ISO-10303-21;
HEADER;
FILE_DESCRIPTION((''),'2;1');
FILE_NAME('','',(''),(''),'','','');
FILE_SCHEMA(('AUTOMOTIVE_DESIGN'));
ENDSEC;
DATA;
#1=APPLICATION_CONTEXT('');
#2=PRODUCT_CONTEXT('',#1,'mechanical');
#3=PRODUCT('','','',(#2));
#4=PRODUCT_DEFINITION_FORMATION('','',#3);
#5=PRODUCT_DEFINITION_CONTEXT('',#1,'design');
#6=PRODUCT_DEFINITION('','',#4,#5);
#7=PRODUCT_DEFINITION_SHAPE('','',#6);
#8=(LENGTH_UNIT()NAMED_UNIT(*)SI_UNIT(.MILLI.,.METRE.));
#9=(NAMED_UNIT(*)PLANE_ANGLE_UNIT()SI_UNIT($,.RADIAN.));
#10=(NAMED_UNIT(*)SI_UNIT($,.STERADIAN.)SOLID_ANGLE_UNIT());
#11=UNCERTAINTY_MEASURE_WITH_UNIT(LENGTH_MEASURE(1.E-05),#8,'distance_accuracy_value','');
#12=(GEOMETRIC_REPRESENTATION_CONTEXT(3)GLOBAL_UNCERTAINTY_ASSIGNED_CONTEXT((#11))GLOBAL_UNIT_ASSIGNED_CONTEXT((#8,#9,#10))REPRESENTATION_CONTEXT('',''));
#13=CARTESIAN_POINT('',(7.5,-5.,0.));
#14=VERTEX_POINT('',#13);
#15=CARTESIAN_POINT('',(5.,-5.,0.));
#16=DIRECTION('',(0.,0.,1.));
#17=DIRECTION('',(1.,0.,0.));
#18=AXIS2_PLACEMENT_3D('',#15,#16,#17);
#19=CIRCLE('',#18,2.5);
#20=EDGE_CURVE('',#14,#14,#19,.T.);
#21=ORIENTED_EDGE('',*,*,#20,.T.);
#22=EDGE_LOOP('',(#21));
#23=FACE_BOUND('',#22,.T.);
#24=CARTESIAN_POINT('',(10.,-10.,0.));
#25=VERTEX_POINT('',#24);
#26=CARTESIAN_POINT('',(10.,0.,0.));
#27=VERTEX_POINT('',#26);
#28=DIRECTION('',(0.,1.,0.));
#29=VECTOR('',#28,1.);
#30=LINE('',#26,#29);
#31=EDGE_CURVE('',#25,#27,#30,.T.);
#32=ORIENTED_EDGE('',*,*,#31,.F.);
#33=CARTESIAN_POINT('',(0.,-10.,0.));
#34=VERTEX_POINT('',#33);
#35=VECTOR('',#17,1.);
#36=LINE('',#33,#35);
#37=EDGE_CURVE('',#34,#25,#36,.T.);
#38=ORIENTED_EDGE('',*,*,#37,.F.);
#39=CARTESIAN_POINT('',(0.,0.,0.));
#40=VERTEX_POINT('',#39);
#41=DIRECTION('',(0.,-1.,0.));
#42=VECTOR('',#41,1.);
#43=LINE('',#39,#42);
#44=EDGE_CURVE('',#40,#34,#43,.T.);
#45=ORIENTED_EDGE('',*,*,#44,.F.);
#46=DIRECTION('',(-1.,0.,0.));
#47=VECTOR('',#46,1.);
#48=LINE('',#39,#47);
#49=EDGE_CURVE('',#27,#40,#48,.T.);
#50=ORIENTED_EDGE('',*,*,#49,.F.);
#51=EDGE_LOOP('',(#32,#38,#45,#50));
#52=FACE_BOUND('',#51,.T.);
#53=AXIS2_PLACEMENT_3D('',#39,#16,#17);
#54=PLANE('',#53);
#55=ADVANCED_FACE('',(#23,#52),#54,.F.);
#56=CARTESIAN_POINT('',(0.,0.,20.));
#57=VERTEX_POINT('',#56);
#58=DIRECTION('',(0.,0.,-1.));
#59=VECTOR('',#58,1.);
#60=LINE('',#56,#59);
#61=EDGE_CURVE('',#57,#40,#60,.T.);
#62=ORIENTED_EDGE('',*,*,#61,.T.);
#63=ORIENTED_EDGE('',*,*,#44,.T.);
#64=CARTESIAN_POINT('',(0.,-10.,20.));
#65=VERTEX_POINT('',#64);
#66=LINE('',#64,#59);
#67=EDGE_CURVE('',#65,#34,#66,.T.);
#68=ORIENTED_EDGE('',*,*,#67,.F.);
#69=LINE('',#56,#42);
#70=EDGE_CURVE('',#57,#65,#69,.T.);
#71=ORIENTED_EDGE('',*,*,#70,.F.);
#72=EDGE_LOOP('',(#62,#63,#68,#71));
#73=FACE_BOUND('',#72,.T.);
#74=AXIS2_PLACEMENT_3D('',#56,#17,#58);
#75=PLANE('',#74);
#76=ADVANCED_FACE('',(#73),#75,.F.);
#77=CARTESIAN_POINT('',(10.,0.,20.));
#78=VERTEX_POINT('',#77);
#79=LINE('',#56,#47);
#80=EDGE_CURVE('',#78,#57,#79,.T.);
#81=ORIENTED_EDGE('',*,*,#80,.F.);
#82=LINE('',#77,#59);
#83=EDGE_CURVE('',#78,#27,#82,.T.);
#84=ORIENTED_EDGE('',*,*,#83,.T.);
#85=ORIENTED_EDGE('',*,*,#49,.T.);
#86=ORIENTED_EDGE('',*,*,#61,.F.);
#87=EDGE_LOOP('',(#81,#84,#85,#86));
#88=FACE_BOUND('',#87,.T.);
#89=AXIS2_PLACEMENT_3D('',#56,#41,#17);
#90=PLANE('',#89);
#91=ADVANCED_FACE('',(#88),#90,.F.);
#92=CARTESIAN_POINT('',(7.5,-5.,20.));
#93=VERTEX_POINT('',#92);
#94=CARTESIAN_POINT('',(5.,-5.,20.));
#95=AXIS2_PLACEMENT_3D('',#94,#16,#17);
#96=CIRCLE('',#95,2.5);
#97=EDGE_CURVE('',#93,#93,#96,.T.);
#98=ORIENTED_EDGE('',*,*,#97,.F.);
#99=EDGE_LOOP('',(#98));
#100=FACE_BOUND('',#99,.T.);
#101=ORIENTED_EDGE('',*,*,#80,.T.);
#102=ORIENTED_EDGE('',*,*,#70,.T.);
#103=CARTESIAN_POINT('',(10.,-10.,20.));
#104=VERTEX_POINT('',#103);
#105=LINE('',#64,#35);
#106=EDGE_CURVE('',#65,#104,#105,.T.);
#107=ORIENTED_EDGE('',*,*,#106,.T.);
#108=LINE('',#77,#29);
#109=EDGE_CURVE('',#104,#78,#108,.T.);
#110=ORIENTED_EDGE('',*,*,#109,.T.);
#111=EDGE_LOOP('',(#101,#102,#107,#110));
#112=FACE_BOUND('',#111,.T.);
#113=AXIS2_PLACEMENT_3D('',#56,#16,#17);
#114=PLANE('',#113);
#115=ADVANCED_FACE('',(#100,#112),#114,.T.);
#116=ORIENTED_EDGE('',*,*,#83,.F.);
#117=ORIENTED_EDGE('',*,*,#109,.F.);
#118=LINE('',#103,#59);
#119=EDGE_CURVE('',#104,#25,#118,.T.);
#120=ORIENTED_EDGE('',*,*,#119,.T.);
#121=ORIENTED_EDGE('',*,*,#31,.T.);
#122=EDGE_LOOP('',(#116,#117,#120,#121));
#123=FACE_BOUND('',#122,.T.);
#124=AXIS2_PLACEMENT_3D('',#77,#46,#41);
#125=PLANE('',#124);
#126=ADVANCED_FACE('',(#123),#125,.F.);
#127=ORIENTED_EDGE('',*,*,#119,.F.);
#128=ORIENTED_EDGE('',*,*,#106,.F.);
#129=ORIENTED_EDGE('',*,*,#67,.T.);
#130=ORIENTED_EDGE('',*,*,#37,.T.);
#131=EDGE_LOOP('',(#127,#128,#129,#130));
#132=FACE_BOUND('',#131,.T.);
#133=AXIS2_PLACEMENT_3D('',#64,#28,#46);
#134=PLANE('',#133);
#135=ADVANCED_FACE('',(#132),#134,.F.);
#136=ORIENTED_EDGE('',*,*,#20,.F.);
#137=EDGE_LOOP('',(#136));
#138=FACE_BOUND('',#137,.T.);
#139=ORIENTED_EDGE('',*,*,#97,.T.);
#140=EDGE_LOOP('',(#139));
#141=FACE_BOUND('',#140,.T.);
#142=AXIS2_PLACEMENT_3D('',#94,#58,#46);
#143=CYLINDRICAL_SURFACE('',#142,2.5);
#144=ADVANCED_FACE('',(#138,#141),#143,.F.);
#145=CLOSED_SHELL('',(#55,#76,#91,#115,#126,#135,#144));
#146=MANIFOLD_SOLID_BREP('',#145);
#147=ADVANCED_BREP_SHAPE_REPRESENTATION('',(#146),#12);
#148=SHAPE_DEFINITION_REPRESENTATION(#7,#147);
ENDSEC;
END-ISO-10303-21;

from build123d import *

# Parameters (mm, degrees)
SKETCH1_W           = 10
SKETCH1_H           = 10
SKETCH1_R           = 2.5
BOSS_EXTRUDE1_DEPTH = 20


with BuildPart() as part:
    # Sketch1 → Boss-Extrude1 (new body)
    with BuildSketch(Plane.XY):
        with Locations((5, -5)):
            Rectangle(SKETCH1_W, SKETCH1_H)
        with Locations((5, -5)):
            Circle(SKETCH1_R, mode=Mode.SUBTRACT)
    extrude(amount=BOSS_EXTRUDE1_DEPTH)


solid = part.part
